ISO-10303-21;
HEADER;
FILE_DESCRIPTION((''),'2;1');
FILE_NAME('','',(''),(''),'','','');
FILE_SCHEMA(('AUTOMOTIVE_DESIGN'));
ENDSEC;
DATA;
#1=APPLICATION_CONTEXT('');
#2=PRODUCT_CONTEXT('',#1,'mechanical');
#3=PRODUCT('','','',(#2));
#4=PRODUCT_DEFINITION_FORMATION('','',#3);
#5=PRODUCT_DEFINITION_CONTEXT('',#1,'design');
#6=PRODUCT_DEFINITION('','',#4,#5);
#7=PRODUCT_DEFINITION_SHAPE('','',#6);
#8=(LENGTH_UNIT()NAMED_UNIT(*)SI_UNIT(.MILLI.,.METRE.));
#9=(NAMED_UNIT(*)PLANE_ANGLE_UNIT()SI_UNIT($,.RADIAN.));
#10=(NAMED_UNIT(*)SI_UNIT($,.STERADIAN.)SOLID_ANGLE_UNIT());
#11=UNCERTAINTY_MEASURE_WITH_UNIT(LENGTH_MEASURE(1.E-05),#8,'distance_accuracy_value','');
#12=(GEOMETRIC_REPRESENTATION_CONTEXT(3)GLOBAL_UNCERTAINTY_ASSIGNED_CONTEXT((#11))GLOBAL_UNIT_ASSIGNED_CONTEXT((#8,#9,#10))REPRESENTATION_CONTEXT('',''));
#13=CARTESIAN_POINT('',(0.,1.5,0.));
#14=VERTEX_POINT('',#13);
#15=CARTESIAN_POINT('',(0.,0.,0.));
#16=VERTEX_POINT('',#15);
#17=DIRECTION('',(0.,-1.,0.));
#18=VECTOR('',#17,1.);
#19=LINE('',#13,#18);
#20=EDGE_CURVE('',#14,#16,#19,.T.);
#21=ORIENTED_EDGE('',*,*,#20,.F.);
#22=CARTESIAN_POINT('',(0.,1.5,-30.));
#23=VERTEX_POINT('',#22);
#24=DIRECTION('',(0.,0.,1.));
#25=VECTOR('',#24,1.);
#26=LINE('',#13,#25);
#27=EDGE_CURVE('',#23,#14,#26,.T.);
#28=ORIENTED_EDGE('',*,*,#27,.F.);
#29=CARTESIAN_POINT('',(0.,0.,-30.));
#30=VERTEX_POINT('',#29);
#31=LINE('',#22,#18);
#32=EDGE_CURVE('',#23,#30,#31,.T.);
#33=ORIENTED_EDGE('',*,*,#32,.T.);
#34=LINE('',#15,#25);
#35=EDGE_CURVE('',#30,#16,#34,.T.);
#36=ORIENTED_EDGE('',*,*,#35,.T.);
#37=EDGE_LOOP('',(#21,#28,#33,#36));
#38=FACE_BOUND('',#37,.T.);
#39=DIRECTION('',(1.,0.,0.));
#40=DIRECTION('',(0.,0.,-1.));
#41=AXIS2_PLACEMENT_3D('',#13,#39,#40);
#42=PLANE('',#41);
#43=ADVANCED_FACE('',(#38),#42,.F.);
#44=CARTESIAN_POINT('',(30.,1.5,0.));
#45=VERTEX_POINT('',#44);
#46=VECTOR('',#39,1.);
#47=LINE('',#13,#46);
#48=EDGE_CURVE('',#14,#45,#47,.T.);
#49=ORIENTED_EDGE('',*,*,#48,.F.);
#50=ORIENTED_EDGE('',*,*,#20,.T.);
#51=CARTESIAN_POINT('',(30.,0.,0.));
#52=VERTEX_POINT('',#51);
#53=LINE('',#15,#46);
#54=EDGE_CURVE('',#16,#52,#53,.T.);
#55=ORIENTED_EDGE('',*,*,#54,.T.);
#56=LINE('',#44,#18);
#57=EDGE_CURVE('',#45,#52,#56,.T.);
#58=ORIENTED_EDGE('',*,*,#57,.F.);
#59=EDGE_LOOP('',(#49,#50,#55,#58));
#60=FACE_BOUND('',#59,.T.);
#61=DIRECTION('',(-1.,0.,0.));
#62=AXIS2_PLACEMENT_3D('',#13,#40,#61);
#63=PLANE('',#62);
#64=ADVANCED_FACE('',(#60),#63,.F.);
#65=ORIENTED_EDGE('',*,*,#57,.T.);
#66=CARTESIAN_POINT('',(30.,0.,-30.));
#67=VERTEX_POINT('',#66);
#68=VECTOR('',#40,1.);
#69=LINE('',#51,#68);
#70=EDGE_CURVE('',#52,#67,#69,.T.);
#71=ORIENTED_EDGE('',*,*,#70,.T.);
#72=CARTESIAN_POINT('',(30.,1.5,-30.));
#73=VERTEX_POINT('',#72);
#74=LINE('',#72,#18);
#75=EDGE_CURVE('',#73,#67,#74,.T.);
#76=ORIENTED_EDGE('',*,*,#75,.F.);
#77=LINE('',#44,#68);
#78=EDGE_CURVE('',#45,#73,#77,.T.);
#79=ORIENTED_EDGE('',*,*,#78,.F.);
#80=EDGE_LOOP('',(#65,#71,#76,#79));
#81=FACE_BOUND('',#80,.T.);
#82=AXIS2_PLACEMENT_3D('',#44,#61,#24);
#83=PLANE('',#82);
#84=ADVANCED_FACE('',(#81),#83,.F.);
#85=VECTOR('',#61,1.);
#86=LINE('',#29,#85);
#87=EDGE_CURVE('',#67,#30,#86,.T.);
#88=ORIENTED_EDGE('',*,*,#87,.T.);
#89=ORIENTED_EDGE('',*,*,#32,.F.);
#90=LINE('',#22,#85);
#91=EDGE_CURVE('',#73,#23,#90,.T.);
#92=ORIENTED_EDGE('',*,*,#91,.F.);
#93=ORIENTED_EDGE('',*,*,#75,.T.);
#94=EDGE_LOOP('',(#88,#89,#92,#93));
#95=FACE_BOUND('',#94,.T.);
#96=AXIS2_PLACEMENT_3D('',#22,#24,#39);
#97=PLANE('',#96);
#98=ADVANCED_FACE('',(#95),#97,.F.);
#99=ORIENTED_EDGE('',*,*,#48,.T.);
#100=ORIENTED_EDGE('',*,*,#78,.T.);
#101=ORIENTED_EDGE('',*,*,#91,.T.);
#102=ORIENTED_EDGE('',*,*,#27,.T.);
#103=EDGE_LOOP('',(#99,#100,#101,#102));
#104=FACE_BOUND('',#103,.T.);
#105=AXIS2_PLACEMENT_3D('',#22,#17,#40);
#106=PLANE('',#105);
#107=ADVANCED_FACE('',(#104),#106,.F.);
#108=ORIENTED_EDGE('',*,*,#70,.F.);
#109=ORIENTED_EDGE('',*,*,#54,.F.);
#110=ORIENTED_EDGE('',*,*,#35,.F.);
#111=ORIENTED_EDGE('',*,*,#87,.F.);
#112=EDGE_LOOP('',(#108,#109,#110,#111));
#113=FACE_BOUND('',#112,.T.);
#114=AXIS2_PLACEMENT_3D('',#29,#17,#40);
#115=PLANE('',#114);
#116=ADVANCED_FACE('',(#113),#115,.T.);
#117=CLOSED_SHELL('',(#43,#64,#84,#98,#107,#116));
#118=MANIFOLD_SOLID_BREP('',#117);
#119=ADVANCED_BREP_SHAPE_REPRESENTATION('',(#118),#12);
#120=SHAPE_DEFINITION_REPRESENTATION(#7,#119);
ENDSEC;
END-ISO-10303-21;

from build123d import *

# Parameters (mm, degrees)
SKETCH1_W   = 30
SKETCH1_H   = 30
BOARD_DEPTH = 1.5


with BuildPart() as part:
    # Sketch1 → Board (new body)
    with BuildSketch(Plane(origin=(0, 0, 0), x_dir=(1, 0, 0), z_dir=(0, 1, 0))):
        with Locations((15, 15)):
            Rectangle(SKETCH1_W, SKETCH1_H)
    extrude(amount=BOARD_DEPTH)


solid = part.part
